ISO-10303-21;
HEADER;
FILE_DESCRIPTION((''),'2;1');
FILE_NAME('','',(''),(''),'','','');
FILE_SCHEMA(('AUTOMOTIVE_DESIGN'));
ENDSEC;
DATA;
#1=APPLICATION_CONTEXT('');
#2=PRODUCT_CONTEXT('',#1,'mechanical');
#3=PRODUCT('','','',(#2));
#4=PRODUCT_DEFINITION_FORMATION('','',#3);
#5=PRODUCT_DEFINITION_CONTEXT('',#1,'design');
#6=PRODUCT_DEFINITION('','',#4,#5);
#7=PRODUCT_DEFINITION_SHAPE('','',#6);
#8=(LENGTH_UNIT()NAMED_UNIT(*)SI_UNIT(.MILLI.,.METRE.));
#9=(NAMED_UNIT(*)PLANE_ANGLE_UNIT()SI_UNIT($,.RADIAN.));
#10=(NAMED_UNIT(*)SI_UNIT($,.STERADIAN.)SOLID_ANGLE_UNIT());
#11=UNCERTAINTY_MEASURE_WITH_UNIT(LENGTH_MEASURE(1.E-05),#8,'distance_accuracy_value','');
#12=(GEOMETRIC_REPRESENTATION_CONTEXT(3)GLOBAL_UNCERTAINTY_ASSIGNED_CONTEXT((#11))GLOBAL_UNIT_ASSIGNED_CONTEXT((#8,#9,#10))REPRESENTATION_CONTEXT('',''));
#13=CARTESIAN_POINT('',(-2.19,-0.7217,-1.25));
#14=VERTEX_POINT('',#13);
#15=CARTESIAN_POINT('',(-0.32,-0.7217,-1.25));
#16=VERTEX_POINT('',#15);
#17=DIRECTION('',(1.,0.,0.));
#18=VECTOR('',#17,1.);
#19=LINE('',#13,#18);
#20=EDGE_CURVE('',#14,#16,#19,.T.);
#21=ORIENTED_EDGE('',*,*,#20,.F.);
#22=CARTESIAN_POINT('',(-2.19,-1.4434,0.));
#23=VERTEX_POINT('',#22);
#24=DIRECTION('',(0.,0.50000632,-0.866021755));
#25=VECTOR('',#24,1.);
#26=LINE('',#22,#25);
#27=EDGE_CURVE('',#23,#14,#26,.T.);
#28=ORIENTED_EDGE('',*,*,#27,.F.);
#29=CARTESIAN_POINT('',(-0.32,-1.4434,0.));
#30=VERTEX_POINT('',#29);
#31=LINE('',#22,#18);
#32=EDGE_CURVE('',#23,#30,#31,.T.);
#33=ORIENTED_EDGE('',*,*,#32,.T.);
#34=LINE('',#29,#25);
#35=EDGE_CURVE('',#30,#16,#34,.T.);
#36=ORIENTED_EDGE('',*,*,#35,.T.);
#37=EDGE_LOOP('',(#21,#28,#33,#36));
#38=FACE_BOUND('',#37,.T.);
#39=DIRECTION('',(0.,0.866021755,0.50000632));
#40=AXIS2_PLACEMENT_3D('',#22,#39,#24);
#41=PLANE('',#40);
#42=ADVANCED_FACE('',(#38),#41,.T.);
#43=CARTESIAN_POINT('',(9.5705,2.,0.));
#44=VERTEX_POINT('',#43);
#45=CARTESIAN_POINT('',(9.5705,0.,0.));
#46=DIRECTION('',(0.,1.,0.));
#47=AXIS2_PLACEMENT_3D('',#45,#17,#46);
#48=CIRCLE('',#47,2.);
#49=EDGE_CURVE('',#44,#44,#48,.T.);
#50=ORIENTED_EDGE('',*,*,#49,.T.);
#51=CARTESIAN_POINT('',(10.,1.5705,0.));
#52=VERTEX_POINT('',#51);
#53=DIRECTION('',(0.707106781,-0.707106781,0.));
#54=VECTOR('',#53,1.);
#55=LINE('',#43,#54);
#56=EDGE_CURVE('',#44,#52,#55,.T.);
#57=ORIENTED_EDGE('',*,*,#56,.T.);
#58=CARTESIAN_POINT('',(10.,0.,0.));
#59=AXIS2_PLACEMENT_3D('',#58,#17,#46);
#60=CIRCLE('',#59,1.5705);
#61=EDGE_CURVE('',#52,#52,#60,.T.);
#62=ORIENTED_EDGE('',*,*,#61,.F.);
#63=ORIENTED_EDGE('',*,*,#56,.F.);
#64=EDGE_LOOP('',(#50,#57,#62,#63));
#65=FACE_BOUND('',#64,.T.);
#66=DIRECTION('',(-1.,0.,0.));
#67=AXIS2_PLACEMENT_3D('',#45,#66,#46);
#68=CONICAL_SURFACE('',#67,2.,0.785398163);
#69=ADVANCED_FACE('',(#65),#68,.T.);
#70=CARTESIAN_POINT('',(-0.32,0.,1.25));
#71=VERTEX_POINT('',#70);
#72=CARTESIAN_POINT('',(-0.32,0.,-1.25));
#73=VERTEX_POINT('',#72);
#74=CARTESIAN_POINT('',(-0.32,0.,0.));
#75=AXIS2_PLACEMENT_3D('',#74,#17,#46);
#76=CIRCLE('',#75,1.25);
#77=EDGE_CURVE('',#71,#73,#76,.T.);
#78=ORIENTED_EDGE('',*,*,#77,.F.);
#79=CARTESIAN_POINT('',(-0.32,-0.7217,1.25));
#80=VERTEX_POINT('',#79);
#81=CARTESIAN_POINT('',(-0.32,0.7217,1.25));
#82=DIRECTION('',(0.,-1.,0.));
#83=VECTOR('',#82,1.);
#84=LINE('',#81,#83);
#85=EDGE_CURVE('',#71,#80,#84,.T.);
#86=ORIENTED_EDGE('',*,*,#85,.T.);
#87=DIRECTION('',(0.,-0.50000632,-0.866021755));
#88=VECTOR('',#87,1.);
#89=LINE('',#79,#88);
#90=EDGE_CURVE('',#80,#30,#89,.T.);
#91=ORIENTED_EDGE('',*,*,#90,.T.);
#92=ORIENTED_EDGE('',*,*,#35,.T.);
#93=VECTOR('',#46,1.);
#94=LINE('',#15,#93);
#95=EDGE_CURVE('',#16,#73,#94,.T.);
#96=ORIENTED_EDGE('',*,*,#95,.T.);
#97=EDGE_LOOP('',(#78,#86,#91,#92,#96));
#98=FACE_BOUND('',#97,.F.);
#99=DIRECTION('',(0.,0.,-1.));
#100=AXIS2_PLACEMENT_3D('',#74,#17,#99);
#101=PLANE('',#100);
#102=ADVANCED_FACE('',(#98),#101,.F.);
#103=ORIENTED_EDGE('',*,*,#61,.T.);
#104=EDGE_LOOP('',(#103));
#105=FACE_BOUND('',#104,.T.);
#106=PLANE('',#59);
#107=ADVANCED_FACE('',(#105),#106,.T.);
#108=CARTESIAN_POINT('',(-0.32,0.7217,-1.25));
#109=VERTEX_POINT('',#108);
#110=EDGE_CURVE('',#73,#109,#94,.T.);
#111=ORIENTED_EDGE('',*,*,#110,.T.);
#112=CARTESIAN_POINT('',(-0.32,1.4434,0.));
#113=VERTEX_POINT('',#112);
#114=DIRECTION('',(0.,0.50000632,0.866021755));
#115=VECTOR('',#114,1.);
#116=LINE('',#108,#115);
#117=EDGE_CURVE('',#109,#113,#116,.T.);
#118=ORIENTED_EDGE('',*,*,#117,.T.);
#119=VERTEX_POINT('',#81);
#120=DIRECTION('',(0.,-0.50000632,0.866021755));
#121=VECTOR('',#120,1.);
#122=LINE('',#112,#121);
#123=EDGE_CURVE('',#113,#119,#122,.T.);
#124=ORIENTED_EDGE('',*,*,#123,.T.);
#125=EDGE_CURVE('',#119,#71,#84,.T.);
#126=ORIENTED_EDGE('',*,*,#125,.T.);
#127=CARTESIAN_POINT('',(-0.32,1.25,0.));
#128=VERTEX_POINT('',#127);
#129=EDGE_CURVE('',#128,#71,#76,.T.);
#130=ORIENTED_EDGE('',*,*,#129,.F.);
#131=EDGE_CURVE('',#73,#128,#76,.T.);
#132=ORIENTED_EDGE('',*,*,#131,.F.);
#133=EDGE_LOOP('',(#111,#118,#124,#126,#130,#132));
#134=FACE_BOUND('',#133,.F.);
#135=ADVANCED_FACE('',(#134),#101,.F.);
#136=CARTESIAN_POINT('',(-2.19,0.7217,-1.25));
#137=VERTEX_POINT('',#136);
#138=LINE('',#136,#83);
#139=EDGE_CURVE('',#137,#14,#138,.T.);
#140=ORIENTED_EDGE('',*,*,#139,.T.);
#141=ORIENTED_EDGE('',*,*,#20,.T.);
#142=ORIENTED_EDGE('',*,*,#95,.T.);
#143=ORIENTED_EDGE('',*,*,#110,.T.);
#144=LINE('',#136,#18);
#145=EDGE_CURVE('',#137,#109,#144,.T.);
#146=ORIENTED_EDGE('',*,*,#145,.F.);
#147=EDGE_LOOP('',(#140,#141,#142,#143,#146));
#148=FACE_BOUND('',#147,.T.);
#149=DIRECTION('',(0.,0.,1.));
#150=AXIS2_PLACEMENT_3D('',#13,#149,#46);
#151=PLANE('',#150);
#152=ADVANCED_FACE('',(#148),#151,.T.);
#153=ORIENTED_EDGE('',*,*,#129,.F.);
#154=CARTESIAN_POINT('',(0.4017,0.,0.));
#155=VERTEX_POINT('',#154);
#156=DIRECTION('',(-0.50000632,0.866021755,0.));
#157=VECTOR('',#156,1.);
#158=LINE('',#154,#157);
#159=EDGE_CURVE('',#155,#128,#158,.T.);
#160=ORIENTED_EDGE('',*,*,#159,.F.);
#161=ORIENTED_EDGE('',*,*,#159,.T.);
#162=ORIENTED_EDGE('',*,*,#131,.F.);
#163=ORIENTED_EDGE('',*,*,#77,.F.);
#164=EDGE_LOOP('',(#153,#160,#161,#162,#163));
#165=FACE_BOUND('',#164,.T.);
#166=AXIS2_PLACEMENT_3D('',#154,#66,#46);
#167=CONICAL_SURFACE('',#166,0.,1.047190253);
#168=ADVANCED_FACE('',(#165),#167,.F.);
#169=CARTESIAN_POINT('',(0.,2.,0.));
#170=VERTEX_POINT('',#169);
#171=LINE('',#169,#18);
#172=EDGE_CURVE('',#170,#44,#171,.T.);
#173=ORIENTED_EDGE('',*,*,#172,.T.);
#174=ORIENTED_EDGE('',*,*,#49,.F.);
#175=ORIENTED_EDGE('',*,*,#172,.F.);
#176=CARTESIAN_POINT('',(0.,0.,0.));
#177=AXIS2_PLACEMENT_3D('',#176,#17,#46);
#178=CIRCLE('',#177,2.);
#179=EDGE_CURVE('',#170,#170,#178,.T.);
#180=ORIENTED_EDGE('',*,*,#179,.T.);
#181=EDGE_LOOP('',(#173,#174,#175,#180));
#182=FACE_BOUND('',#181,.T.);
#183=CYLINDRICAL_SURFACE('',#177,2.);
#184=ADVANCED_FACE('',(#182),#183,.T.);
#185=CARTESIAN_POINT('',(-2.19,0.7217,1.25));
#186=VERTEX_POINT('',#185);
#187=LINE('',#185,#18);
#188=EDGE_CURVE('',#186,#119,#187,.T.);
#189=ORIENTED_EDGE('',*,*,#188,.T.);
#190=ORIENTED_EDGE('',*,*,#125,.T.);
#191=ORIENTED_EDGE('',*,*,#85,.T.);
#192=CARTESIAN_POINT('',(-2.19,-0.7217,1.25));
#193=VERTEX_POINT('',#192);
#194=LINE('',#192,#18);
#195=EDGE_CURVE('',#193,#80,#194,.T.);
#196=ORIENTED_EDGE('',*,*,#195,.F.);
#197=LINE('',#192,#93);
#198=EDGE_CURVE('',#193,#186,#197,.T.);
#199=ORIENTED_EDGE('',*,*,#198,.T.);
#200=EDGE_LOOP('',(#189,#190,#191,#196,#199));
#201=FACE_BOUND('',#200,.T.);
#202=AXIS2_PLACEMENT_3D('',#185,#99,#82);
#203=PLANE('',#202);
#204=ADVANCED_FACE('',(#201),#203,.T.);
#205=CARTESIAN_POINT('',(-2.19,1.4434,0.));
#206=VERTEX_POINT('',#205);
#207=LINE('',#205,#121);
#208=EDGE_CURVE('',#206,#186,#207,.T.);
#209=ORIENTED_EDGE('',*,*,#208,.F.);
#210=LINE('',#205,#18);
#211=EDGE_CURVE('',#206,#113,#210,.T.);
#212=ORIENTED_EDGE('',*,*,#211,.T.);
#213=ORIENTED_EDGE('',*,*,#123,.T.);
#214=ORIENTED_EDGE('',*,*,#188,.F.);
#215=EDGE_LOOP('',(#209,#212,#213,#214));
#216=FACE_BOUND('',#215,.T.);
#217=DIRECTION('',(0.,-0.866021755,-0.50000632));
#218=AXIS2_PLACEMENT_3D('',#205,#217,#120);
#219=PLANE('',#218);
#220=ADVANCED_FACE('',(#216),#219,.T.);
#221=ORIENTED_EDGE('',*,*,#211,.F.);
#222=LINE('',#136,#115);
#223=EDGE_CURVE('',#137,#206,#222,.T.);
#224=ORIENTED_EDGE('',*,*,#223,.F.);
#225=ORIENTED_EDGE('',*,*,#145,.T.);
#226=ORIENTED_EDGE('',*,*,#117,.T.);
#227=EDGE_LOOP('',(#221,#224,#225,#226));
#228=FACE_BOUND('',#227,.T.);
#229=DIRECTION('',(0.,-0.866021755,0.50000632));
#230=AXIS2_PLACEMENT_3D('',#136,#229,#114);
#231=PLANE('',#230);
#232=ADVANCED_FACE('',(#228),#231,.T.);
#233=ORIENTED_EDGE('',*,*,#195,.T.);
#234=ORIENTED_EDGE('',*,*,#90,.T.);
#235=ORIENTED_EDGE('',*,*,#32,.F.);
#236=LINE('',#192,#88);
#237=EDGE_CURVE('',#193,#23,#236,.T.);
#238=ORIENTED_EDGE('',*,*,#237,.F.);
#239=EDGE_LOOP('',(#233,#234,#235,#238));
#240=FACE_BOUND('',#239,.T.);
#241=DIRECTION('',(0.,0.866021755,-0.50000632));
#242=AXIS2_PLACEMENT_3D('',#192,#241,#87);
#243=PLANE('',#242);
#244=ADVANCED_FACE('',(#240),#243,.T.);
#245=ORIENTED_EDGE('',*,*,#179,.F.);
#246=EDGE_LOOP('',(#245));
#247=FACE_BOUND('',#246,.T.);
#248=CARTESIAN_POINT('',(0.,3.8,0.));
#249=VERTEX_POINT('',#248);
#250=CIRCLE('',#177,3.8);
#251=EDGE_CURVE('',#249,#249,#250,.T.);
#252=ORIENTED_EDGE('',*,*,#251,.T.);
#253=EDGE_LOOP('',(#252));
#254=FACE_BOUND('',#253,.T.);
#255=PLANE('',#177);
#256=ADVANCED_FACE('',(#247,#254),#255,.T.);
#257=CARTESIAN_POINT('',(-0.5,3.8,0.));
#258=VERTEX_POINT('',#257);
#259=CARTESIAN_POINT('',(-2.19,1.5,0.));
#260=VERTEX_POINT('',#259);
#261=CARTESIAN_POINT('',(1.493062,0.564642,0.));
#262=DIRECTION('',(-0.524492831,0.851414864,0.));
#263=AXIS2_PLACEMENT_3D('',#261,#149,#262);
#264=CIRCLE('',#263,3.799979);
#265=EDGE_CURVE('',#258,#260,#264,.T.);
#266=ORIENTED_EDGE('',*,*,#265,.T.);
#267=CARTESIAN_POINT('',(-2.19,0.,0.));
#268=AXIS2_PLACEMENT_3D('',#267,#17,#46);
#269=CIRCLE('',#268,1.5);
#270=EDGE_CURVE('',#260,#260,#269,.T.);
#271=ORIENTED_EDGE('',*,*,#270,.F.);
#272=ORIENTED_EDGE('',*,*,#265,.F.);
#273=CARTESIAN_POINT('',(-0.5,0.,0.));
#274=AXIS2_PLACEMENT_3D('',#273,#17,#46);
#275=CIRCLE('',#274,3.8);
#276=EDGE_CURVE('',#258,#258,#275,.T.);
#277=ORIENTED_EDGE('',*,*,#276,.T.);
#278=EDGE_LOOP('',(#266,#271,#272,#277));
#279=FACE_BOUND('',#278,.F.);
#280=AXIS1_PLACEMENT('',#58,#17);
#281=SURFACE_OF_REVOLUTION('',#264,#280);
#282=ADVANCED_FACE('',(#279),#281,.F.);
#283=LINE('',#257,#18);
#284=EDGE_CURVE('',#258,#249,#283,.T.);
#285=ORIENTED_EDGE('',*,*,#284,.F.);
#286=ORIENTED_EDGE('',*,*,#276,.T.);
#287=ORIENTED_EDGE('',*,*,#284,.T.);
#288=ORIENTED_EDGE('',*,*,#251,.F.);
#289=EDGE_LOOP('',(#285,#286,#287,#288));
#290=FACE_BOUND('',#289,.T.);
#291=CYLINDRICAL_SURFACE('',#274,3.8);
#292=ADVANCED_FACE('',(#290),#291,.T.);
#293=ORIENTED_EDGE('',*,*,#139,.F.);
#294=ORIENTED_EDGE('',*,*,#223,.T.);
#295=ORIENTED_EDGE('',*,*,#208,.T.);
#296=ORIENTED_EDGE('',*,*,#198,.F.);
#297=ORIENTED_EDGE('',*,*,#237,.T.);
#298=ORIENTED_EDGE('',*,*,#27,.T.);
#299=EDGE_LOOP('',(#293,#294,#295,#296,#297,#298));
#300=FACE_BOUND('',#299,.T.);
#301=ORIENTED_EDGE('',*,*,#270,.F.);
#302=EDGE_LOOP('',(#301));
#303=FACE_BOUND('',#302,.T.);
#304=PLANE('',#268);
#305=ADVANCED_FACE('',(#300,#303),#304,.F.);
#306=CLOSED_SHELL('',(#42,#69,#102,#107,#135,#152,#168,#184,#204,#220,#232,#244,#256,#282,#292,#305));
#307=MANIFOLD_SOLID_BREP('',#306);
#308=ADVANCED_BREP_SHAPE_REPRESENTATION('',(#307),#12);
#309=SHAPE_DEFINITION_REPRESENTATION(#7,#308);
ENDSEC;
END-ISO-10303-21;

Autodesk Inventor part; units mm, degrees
sketch "Sketch_1" plane through (0, 0, 0) normal (0, 0, 1) x (1, 0, 0)
  line L0 (10, 0) -> (0.4017, 0)
  line L1 (0.4017, 0) -> (-0.32, 1.25)
  line L2 (-0.32, 1.25) -> (-2.19, 1.25)
  line L3 (-2.19, 1.25) -> (-2.19, 1.5)
  arc A0 (-0.5, 3.8) -> (-2.19, 1.5) centre (1.4931, 0.5646) ccw
  line L4 (-0.5, 3.8) -> (0, 3.8)
  line L5 (0, 3.8) -> (0, 2)
  line L6 (0, 2) -> (9.5705, 2)
  line L7 (9.5705, 2) -> (10, 1.5705)
  line L8 (10, 1.5705) -> (10, 0)
  line L9 (10, 0) -> (0.4017, 0)
revolve "Revolution1" add sketch "Sketch_1" angle 360 about axis through (10, 0, 0) along (1, 0, 0)
thread "Thread1" size "M4x0.7" class "6g" standard "ISO Metric profile" length 8.8266
sketch "Sketch_2" plane through (-2.19, 0, 0) normal (1, 0, 0) x (0, 0, -1)
  line L0 (-1.25, -0.7217) -> (0, -1.4434)
  line L1 (0, -1.4434) -> (1.25, -0.7217)
  line L2 (1.25, -0.7217) -> (1.25, 0.7217)
  line L3 (1.25, 0.7217) -> (0, 1.4434)
  line L4 (0, 1.4434) -> (-1.25, 0.7217)
  line L5 (-1.25, 0.7217) -> (-1.25, -0.7217)
extrude "Extrusion1" cut sketch "Sketch_2" along normal blind 1.87
ref_plane "screw_XY" through (0, 0, 0) normal (1, 0, 0) x (0, 0, -1)
ref_plane "screw_YZ" through (0, 0, 0) normal (0, 0, -1) x (0, 1, 0)
ref_plane "screw_ZX" through (0, 0, 0) normal (0, 1, 0) x (1, 0, 0)
properties part number "11-4310"
